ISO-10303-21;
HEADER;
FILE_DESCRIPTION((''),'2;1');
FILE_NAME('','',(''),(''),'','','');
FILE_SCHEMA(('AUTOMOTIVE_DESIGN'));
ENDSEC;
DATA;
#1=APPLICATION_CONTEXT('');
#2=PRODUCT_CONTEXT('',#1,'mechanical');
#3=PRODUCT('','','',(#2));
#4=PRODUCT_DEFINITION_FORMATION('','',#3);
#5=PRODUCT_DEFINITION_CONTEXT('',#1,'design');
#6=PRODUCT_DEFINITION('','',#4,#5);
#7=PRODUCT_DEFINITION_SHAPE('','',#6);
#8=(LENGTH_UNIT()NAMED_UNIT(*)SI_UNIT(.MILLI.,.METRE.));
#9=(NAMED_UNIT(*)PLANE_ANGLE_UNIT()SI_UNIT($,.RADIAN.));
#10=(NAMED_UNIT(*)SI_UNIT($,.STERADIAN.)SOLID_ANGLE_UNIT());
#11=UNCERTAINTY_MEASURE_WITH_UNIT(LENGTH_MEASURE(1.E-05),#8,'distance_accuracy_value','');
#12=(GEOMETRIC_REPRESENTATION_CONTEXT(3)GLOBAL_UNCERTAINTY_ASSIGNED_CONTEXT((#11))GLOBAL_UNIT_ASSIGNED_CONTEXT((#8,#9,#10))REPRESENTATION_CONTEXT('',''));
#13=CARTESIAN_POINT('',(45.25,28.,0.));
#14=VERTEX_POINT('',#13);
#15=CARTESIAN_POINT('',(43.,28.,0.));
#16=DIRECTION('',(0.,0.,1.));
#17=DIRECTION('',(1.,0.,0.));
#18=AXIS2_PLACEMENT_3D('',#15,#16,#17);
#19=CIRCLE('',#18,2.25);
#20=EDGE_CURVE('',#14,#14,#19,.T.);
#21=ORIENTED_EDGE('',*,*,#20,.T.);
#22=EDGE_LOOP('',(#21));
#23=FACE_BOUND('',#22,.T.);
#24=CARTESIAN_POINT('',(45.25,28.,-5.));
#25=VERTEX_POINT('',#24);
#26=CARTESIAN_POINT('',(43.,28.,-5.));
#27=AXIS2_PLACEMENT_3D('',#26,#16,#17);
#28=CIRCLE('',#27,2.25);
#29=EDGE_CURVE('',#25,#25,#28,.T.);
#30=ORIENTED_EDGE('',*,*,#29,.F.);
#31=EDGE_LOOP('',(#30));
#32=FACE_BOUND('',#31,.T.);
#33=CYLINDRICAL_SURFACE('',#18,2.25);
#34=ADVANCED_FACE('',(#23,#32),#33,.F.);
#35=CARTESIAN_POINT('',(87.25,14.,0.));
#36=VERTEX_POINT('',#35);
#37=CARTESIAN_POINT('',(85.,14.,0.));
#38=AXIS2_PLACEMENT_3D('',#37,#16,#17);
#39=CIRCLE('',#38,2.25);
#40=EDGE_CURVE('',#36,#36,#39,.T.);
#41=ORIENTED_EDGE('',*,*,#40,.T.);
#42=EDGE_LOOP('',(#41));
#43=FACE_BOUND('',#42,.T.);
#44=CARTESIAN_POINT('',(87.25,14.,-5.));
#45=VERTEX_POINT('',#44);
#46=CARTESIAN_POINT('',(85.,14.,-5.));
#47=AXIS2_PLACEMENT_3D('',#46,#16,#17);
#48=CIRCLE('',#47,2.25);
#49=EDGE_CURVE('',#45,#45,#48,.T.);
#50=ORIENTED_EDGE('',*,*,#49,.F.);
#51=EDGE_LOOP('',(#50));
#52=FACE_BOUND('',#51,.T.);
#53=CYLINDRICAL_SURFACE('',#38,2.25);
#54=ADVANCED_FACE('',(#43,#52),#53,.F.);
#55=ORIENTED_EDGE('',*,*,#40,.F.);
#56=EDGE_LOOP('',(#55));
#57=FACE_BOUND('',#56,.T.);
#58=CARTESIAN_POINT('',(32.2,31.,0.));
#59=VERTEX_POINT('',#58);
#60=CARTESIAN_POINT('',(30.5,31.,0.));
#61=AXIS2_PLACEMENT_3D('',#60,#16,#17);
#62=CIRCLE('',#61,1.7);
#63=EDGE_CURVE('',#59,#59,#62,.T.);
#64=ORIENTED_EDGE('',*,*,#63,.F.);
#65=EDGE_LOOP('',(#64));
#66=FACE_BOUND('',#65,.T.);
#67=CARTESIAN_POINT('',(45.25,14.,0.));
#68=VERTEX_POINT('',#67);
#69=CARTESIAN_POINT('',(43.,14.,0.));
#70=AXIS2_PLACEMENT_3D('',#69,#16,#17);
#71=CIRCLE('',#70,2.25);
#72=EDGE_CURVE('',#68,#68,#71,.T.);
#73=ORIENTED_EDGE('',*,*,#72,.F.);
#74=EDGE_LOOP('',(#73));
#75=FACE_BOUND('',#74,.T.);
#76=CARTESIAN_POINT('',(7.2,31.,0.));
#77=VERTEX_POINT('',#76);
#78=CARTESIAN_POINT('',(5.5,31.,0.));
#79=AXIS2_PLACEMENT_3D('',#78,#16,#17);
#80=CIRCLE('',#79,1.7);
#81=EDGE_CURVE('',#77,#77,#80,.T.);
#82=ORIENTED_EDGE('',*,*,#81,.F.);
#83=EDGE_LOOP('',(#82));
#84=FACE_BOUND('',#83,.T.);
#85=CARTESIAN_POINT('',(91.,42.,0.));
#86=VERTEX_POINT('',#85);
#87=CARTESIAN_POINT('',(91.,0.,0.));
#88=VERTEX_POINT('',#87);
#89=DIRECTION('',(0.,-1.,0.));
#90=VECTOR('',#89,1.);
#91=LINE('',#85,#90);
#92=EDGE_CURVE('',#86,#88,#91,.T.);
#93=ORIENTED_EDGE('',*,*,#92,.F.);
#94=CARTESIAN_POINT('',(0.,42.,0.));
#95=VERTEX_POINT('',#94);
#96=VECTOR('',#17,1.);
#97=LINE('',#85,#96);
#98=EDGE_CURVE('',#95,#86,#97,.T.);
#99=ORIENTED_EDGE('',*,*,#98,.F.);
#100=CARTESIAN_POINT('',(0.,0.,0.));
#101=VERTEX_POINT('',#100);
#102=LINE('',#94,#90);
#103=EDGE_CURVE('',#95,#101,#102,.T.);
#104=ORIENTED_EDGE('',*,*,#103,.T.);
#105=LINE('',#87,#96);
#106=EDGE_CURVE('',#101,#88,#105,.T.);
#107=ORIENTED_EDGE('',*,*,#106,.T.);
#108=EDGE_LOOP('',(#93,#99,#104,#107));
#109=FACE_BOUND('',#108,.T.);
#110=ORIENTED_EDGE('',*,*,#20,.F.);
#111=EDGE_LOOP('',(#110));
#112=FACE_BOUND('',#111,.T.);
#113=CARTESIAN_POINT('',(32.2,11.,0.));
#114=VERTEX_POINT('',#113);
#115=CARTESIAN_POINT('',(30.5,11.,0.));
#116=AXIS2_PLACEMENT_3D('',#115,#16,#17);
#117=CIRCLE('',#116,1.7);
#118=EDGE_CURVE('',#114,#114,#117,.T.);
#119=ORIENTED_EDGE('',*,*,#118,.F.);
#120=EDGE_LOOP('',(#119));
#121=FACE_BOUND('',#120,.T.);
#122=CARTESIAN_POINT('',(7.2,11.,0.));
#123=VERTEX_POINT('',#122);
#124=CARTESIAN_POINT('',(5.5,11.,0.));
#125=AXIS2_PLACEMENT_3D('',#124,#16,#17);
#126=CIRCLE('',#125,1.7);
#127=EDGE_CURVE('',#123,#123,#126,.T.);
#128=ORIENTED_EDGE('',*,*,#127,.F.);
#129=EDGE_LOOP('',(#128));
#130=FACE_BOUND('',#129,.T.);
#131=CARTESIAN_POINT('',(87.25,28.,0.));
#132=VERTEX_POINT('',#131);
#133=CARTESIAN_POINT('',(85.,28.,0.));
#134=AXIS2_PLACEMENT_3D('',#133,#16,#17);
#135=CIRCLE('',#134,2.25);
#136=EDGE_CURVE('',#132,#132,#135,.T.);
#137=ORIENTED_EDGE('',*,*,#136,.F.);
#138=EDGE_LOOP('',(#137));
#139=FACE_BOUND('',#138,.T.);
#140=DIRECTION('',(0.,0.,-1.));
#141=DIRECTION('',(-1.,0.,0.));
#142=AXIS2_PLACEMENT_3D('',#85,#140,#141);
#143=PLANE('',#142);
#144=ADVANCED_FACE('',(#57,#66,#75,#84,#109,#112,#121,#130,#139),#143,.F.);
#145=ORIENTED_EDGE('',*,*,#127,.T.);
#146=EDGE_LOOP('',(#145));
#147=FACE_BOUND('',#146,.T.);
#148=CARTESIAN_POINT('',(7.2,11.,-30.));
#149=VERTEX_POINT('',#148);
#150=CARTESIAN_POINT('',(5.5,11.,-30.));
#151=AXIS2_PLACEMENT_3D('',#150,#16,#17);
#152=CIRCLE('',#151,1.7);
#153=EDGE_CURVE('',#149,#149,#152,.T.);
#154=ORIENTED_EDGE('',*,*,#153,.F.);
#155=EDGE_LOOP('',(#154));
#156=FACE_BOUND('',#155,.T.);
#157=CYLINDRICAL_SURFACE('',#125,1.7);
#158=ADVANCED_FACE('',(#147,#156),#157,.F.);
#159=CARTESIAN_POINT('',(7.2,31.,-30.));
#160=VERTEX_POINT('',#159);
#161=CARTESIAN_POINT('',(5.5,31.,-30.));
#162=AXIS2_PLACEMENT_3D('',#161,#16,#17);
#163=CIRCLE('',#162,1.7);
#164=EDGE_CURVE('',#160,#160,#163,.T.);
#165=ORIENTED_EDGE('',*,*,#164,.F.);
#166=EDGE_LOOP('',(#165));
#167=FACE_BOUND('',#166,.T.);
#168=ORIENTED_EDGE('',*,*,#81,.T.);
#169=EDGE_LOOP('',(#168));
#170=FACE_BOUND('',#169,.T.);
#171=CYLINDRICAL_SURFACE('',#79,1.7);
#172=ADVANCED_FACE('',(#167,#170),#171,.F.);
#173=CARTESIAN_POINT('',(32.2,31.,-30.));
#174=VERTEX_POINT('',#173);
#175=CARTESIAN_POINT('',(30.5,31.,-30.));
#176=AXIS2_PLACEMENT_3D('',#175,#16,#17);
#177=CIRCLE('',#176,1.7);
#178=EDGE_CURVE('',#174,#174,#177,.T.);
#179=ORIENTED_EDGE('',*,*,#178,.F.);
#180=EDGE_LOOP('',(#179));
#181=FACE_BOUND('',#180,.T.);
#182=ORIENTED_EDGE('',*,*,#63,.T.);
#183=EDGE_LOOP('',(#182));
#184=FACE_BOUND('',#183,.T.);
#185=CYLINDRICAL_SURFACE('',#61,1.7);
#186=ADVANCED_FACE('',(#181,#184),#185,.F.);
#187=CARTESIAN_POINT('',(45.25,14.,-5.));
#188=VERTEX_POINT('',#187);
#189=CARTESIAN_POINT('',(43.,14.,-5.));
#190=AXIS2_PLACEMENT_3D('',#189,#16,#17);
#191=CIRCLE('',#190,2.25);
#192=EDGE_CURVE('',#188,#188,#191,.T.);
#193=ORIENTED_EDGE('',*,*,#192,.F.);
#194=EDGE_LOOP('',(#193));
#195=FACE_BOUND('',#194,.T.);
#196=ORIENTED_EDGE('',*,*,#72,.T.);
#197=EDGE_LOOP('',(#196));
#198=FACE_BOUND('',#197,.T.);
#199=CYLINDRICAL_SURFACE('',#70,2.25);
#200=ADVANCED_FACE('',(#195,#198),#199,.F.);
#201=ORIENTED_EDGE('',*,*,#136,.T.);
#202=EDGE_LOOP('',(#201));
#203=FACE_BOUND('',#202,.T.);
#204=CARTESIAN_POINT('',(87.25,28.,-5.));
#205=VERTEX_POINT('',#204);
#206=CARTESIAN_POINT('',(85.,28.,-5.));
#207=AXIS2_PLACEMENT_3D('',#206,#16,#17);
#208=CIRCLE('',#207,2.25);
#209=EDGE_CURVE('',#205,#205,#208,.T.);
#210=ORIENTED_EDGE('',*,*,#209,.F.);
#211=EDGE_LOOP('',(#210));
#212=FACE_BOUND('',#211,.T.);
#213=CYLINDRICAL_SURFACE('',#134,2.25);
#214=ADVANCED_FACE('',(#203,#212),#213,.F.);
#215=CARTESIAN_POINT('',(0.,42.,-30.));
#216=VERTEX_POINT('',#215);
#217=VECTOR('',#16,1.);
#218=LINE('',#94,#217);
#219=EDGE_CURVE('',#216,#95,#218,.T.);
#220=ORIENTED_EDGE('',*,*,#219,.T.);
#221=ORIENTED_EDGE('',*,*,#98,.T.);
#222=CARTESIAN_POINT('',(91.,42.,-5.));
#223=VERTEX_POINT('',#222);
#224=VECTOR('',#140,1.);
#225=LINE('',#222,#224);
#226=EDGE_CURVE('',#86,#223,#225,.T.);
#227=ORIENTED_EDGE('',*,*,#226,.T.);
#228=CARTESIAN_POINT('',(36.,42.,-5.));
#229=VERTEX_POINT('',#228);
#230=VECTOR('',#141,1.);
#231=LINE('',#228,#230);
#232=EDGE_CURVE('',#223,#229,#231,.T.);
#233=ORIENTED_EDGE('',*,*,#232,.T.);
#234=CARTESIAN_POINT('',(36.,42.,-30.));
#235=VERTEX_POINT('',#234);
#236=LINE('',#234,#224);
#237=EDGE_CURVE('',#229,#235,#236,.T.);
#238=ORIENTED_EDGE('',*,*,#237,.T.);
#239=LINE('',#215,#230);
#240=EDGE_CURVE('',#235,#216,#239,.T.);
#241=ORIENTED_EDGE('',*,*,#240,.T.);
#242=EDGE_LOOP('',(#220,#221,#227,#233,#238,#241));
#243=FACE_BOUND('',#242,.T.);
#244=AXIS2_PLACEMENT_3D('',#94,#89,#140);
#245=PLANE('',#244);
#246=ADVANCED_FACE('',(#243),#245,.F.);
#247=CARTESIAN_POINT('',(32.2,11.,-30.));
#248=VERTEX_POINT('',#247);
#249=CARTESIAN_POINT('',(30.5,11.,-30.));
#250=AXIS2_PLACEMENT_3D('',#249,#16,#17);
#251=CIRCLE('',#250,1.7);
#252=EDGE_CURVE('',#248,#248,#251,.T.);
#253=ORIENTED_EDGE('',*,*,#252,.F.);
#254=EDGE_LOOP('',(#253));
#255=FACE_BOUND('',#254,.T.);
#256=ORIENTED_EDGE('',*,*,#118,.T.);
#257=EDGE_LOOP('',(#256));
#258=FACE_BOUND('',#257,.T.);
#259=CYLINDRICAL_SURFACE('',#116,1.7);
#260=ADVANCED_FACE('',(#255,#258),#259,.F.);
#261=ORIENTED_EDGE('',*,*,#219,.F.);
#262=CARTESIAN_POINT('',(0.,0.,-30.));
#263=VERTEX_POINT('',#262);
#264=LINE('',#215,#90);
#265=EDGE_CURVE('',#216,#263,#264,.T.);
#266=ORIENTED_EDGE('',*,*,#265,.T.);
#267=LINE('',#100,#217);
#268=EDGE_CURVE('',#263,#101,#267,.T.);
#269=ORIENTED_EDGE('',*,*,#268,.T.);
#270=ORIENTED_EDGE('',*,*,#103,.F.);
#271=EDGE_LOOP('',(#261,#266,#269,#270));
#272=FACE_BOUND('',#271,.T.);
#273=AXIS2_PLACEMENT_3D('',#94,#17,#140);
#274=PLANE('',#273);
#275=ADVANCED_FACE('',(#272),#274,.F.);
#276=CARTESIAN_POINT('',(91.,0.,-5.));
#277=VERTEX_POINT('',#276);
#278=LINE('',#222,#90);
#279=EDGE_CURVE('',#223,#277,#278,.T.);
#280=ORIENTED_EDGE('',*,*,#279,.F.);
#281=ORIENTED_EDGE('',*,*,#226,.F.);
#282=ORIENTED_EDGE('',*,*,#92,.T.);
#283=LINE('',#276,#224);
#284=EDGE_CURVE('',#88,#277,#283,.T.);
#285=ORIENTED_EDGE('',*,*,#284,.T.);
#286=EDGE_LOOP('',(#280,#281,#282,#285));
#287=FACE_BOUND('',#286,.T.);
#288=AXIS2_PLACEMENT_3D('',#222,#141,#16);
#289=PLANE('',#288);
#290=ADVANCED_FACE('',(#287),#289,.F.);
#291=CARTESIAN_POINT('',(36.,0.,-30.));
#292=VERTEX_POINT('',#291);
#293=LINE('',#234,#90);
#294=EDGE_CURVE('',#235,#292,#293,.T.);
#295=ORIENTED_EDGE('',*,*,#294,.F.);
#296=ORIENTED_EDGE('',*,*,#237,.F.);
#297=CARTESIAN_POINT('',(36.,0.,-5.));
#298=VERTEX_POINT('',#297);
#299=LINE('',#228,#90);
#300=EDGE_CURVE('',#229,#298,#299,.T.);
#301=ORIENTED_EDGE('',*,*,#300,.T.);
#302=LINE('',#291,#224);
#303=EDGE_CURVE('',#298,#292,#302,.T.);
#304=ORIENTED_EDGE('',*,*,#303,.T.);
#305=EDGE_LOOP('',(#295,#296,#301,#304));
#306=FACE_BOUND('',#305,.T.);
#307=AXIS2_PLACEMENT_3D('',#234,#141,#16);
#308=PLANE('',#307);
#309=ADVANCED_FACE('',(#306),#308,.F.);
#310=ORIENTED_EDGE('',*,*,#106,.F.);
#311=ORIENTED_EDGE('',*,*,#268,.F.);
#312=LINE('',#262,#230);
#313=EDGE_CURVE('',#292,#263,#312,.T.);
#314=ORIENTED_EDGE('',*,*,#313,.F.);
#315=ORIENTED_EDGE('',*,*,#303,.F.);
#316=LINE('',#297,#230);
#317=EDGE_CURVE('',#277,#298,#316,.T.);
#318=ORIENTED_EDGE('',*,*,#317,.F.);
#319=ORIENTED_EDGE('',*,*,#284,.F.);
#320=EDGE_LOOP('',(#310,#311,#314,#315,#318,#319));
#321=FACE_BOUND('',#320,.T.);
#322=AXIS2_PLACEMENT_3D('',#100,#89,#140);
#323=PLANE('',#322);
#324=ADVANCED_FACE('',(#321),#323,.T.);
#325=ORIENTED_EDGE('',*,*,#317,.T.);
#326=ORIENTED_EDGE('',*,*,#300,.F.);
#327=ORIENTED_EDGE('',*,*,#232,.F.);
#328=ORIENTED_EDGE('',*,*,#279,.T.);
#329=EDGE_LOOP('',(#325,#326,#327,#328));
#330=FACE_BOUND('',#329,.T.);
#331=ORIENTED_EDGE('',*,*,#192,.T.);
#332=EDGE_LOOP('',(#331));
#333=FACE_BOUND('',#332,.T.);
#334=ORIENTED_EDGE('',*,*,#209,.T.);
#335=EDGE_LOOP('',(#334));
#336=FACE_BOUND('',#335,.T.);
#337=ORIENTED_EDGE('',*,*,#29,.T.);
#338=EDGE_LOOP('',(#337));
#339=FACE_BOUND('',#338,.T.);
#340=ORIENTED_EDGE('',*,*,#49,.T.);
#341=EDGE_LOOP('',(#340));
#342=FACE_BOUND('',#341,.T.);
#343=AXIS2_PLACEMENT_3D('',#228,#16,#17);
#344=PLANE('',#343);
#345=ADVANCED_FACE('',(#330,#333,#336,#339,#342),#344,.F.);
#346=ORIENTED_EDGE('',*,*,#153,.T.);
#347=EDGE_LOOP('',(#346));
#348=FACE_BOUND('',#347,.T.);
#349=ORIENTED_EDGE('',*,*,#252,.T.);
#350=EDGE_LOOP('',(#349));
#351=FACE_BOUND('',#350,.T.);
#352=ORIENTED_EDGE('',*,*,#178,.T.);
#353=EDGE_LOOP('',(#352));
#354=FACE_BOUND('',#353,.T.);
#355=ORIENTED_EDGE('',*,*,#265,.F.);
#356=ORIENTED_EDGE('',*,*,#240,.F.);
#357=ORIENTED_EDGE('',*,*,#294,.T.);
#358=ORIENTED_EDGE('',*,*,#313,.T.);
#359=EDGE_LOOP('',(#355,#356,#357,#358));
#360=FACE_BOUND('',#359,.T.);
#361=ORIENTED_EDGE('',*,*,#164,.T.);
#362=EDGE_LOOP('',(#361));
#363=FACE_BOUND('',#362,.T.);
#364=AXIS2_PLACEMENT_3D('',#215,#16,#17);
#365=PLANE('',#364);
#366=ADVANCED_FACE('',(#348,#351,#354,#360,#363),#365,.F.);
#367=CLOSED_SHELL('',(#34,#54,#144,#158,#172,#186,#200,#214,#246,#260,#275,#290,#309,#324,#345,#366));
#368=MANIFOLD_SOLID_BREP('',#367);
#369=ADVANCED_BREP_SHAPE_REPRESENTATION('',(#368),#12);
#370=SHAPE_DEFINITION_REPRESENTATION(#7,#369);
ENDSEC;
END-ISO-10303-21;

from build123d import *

# Parameters (mm, degrees)
EXTRUDE_1_DEPTH    = 42
HOLE_WIZARD_M4_1_D = 4.5
HOLE_WIZARD_M3_1_D = 3.4


with BuildPart() as part:
    # 스케치1 → 보스-돌출1 (new body)
    with BuildSketch(Plane(origin=(0, 0, 0), x_dir=(1, 0, 0), z_dir=(0, 1, 0))):
        Polygon((0, 0), (0, 30), (36, 30), (36, 5), (91, 5), (91, 0), align=None)
    extrude(amount=EXTRUDE_1_DEPTH)

    # M4 여유 구멍1 (through all)
    with Locations(Plane.XY):
        with Locations((85, 28), (85, 14), (43, 28), (43, 14)):
            Hole(HOLE_WIZARD_M4_1_D / 2)

    # M3 여유 구멍1 (through all)
    with Locations(Plane.XY):
        with Locations((5.5, 31), (5.5, 11), (30.5, 31), (30.5, 11)):
            Hole(HOLE_WIZARD_M3_1_D / 2)


solid = part.part
